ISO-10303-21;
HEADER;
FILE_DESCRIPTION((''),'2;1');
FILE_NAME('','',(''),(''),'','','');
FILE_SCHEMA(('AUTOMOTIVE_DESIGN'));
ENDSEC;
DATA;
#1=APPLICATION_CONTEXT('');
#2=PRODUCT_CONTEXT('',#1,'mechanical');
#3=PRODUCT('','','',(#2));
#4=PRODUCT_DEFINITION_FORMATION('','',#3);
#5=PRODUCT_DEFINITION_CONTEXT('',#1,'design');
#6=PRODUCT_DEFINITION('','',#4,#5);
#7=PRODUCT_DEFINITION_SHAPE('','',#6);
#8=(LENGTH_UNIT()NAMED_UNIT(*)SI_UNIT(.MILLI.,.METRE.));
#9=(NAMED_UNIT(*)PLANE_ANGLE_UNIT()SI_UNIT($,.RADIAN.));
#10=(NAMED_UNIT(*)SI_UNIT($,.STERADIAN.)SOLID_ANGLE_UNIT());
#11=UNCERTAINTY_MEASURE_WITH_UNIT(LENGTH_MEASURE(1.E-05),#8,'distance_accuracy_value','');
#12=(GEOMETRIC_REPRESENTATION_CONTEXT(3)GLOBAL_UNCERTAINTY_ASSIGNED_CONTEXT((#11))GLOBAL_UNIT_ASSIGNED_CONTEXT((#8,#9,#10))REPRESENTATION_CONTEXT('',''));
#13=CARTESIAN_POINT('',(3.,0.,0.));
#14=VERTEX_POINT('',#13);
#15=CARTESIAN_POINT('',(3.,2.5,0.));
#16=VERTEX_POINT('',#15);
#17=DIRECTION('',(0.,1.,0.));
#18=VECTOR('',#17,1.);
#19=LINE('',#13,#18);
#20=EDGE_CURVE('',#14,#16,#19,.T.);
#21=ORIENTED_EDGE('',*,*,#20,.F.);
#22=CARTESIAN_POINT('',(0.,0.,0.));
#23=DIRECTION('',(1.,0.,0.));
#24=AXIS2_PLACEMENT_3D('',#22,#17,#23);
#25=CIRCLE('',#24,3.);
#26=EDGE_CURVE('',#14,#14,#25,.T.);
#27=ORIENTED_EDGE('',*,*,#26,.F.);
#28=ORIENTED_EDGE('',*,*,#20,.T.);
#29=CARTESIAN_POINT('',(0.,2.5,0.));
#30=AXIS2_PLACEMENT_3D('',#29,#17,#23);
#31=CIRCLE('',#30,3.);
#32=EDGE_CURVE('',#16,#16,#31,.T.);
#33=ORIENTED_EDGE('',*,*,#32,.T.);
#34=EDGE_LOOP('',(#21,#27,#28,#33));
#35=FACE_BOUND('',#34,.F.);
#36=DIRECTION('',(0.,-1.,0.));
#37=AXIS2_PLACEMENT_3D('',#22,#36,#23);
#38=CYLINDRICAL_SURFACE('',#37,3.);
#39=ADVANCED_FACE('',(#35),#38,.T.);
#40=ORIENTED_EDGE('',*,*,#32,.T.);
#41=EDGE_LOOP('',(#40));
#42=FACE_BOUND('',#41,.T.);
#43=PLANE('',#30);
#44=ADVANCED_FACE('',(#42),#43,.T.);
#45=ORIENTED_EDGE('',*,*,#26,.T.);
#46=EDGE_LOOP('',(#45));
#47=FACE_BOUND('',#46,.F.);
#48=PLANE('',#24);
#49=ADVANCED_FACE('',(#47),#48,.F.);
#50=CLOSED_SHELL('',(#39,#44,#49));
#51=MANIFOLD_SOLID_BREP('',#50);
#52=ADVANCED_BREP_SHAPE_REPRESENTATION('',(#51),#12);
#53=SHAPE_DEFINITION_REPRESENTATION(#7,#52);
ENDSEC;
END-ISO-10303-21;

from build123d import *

# Parameters (mm, degrees)
SKETCH1_R           = 3
BOSS_EXTRUDE1_DEPTH = 2.5


with BuildPart() as part:
    # Sketch1 → Boss-Extrude1 (new body)
    with BuildSketch(Plane(origin=(0, 0, 0), x_dir=(1, 0, 0), z_dir=(0, 1, 0))):
        Circle(SKETCH1_R)
    extrude(amount=BOSS_EXTRUDE1_DEPTH)


solid = part.part
